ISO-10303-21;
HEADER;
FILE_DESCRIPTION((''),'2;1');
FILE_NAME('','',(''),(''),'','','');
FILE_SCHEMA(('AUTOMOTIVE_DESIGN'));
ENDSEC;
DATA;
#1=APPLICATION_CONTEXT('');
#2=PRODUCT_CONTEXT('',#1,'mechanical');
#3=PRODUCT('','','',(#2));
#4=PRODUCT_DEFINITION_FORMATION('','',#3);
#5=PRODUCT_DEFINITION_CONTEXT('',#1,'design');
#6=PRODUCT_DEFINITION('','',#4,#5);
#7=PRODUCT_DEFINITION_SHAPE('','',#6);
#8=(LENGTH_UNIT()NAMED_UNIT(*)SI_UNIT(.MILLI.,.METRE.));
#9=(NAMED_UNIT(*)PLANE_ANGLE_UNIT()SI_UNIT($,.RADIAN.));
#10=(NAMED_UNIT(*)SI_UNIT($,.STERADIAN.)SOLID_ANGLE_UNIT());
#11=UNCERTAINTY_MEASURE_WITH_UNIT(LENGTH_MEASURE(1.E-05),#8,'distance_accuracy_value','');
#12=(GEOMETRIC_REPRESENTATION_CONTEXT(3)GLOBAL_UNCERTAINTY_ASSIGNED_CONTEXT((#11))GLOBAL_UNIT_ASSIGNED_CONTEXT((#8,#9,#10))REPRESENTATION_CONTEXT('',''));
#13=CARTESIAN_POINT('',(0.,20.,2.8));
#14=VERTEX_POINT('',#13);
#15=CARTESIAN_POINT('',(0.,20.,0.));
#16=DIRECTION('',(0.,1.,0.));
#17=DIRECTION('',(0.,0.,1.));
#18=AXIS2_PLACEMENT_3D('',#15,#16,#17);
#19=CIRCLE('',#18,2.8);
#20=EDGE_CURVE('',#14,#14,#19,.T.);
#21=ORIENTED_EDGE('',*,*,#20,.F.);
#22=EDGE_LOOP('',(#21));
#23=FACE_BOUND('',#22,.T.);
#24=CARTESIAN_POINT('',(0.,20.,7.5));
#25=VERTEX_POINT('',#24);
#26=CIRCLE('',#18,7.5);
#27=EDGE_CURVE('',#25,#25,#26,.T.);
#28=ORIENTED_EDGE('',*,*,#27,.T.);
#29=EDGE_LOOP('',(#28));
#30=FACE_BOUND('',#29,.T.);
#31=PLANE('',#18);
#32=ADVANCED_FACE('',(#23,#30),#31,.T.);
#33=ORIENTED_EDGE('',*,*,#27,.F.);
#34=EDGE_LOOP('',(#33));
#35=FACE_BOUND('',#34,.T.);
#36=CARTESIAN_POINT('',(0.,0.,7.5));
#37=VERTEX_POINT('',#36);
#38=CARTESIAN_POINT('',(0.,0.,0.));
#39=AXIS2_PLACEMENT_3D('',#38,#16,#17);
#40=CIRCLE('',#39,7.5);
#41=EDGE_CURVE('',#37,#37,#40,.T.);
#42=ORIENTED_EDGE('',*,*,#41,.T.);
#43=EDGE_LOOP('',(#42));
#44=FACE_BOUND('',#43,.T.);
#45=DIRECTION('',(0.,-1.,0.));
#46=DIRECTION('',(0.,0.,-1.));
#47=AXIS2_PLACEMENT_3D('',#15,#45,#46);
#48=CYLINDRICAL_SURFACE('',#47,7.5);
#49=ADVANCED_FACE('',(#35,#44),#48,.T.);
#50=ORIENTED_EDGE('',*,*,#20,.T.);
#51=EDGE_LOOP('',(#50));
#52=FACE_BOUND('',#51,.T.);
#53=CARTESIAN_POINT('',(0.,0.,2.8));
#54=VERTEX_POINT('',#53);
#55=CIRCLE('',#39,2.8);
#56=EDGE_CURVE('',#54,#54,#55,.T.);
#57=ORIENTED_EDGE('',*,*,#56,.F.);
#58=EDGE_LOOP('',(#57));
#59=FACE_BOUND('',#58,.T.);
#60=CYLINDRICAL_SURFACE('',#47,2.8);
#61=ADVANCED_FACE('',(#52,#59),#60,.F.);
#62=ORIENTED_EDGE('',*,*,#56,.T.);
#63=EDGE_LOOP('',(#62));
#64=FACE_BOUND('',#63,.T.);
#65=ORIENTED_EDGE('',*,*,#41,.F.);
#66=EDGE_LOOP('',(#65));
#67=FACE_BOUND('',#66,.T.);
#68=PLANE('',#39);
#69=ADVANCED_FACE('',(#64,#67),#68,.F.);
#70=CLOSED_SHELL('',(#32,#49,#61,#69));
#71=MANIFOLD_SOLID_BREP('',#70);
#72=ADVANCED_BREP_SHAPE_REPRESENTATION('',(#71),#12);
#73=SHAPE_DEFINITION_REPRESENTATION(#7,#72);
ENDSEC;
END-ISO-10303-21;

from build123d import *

# Parameters (mm, degrees)
SKETCH1_R           = 7.5
SKETCH1_R_2         = 2.8
BOSS_EXTRUDE1_DEPTH = 20


with BuildPart() as part:
    # Sketch1 → Boss-Extrude1 (new body)
    with BuildSketch(Plane(origin=(0, 0, 0), x_dir=(1, 0, 0), z_dir=(0, 1, 0))):
        with Locations(Location((0, 0, 0), (0, 0, 270))):
            Circle(SKETCH1_R)
        with Locations(Location((0, 0, 0), (0, 0, 270))):
            Circle(SKETCH1_R_2, mode=Mode.SUBTRACT)
    extrude(amount=BOSS_EXTRUDE1_DEPTH)


solid = part.part
